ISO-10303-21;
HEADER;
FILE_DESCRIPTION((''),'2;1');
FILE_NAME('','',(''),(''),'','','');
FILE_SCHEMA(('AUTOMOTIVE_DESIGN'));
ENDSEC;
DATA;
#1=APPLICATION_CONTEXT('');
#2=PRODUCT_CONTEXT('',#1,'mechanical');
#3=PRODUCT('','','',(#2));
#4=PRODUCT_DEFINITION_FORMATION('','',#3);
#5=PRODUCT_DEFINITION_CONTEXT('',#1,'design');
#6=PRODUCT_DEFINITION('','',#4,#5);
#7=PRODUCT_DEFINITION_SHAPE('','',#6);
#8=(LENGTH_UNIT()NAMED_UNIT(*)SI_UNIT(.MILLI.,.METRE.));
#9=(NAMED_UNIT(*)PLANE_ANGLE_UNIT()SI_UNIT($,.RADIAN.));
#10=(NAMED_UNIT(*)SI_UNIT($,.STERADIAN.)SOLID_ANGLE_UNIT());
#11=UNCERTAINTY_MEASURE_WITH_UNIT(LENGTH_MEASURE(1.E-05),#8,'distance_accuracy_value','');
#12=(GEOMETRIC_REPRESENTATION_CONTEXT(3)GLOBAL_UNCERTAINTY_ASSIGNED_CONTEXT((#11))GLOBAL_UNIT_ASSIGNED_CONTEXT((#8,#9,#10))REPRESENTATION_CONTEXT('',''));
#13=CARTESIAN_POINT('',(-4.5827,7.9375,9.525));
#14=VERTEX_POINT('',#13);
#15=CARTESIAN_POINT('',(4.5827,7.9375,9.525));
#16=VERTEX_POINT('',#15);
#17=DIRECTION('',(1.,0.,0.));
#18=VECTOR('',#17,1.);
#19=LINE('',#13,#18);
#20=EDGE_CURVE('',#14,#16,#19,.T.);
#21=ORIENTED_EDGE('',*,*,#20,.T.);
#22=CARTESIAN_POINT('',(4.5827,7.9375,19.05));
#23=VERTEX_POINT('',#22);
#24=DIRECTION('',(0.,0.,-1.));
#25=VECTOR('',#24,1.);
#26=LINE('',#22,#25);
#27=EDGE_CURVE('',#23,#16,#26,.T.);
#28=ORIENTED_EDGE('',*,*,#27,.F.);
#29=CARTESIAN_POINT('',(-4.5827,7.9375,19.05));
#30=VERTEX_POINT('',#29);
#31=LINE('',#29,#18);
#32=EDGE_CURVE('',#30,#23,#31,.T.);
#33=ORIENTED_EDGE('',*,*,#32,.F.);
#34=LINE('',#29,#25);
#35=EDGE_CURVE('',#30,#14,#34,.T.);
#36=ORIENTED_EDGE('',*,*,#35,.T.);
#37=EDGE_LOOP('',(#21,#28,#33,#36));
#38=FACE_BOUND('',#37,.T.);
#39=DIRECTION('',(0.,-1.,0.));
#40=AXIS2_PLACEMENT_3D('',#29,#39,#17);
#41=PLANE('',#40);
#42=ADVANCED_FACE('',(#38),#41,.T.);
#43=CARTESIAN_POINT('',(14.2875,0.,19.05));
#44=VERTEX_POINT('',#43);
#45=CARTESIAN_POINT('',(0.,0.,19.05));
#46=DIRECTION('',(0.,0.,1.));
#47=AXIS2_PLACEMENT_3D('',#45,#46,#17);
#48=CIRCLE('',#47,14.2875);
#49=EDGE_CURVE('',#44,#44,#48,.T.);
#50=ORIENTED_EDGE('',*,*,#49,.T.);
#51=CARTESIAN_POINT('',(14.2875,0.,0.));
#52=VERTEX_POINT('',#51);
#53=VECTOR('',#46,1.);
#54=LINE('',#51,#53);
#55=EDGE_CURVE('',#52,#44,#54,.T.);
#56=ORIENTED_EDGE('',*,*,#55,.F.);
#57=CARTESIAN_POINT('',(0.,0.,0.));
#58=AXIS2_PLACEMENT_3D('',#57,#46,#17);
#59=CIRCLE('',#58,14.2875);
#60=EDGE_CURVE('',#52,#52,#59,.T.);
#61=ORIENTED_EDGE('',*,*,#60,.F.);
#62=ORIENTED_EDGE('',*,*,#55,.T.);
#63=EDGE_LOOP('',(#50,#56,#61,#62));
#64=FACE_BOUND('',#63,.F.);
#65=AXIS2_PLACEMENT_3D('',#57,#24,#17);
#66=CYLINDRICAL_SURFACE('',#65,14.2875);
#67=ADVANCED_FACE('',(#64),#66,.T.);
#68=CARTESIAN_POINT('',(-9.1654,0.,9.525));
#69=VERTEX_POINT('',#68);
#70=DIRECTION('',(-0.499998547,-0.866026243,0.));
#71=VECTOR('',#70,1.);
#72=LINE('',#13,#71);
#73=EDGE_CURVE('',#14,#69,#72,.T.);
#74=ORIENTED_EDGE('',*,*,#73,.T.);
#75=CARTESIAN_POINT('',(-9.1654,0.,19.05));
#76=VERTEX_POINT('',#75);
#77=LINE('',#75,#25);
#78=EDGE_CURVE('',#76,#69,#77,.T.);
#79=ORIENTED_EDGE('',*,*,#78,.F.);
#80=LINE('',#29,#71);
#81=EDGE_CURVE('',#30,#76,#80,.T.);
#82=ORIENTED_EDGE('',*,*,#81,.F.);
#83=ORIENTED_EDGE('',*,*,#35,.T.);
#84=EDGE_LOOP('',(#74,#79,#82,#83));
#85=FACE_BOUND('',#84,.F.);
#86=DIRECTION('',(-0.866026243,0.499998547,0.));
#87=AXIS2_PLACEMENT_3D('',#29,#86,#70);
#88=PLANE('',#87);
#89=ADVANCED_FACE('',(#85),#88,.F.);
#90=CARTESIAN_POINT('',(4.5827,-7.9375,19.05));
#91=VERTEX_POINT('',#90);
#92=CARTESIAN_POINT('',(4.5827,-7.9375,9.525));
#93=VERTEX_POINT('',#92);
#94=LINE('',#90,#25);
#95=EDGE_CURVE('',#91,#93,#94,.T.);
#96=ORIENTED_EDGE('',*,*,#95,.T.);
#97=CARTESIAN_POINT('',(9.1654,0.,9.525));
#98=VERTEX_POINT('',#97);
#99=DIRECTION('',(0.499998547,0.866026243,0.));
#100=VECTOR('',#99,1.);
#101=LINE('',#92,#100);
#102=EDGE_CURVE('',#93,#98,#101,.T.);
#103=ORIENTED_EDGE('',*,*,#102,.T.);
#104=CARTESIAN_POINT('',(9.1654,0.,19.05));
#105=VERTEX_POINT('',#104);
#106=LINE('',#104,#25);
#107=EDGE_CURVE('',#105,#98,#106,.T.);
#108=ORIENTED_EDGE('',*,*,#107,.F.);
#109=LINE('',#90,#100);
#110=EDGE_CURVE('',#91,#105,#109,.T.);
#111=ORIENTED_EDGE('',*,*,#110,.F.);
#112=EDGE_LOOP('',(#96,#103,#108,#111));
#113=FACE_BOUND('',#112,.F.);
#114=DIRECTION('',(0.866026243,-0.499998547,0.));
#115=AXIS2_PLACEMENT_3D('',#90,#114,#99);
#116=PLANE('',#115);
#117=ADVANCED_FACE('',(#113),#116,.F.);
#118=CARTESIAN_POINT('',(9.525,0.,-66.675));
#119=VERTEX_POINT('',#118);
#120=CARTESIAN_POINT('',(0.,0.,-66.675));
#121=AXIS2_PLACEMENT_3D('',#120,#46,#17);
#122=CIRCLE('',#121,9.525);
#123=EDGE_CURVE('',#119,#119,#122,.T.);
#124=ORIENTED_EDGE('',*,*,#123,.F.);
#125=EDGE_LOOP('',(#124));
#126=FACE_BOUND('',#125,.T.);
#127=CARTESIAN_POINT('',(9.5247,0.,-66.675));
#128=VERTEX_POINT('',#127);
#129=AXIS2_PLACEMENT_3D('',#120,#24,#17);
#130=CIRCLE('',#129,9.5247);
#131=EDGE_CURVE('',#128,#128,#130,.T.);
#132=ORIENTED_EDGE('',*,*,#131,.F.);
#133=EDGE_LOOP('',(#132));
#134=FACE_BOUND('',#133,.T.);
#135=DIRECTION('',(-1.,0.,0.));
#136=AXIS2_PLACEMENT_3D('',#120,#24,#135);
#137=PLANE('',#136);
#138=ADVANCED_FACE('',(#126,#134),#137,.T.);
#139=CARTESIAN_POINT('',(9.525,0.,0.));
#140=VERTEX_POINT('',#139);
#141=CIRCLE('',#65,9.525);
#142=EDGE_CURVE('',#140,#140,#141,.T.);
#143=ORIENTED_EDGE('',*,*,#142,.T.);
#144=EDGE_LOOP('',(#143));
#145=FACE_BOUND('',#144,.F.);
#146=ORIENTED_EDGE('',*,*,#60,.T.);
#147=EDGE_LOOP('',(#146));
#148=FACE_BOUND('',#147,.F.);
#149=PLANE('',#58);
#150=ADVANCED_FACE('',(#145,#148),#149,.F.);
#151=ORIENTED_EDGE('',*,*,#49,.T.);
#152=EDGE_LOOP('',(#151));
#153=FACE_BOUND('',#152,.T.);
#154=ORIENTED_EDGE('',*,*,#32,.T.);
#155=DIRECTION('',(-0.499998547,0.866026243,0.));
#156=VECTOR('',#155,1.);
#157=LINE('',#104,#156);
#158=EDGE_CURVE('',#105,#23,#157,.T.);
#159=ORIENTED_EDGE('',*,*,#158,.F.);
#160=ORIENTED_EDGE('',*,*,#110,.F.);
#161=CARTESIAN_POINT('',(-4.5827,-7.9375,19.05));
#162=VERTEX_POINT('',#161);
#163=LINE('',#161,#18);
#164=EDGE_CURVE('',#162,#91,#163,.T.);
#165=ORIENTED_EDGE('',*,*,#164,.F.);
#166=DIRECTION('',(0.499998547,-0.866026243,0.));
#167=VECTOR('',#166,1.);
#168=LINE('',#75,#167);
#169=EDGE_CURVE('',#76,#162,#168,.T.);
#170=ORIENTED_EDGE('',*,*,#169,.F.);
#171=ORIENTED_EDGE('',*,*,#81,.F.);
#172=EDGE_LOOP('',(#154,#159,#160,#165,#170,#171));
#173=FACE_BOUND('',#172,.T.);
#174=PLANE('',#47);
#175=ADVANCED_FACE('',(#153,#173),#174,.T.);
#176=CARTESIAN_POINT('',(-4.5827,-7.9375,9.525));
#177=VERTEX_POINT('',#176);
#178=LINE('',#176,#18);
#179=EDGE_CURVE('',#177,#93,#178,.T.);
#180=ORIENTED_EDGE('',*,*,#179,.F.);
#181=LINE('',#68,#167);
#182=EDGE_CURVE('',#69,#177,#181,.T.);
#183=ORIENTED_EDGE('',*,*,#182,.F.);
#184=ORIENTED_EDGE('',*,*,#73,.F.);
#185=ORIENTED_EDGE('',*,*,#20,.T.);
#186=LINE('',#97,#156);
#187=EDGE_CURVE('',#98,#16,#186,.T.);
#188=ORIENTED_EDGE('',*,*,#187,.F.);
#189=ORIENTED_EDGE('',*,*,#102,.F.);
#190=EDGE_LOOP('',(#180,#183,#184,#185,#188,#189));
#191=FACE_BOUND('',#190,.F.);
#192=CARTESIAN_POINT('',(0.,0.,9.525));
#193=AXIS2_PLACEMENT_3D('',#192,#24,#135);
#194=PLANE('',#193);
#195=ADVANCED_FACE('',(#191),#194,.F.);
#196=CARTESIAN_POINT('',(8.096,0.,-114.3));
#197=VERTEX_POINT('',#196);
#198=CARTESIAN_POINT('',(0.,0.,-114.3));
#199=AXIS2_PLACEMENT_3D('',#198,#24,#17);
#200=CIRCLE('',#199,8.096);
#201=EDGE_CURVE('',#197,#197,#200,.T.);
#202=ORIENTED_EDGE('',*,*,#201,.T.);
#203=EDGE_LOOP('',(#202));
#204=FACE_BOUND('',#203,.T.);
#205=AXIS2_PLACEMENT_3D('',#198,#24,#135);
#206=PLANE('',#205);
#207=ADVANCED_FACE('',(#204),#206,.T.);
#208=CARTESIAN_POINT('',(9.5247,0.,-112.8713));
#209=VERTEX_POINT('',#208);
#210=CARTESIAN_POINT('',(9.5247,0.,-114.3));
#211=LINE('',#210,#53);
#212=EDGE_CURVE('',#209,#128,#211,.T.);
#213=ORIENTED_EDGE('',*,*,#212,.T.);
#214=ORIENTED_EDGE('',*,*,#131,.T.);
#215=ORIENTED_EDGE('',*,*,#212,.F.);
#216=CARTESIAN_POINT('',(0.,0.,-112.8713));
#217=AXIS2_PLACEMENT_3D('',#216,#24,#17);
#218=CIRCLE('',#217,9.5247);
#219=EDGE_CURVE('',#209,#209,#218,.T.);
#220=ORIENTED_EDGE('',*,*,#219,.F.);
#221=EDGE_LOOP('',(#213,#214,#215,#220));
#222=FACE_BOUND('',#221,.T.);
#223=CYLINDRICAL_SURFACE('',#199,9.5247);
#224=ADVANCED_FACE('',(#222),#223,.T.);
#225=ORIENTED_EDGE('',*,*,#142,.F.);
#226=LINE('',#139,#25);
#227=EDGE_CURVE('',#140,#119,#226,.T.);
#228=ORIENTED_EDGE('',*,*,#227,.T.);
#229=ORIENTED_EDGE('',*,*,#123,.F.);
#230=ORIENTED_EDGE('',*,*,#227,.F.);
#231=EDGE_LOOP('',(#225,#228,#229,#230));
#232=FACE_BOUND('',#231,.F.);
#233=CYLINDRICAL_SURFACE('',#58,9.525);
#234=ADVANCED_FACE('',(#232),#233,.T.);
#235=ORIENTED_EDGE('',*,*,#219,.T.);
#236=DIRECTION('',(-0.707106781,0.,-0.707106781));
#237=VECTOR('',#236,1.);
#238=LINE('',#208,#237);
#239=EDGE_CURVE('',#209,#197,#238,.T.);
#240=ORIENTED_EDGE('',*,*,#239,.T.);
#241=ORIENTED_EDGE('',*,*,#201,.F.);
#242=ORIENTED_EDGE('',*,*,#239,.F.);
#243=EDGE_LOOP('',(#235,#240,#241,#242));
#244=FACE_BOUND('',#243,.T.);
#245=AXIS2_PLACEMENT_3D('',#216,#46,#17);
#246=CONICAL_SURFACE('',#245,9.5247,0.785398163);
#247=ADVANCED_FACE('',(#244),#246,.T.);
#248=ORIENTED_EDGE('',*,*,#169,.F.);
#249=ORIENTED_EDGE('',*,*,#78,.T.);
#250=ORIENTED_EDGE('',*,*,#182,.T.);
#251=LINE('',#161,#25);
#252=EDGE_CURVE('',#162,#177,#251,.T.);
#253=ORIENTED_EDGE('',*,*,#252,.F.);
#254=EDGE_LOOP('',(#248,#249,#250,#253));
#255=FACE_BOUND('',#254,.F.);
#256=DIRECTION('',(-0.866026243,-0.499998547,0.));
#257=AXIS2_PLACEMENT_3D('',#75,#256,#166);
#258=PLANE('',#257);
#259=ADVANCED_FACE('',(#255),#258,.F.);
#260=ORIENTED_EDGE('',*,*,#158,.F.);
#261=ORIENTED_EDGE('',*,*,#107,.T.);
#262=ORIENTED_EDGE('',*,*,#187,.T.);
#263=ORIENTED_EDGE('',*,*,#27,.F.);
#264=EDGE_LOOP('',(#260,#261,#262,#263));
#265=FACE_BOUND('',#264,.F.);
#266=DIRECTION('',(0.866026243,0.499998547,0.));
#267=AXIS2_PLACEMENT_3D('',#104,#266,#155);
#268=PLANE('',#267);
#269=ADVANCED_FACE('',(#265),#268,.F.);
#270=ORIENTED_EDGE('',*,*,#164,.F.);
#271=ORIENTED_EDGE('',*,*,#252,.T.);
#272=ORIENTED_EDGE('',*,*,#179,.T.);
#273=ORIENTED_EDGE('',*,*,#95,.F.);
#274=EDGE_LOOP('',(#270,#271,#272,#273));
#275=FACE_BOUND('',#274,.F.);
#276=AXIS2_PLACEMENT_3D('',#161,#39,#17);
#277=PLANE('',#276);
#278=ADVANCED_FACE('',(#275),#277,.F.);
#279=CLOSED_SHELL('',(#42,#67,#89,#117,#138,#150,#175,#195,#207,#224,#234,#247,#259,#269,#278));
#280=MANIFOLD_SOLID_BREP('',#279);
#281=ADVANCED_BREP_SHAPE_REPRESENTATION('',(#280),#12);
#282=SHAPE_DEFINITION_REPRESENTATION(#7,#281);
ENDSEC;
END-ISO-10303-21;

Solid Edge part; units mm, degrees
sketch "Sketch1" plane through (0, 0, 0) normal (0, 0, 1) x (1, 0, 0)
  circle A0 centre (0, 0) radius 14.2875
  dimension "D1" = 28.575
extrude "Protrusion1" add sketch "Sketch1" along normal blind 19.05
sketch "Sketch2" plane through (0, 0, 0) normal (0, 0, -1) x (1, 0, 0)
  circle A0 centre (0, 0) radius 9.525
extrude "Protrusion2" add sketch "Sketch2" along normal blind 114.3
sketch "Sketch3" plane through (0, 0, -114.3) normal (0, 0, -1) x (1, 0, 0)
  circle A0 centre (0, 0) radius 9.5247
extrude "Cutout1" cut sketch "Sketch3" against normal blind 47.625 flip side to cut
chamfer "Chamfer_1" distance 1.4287 angle 45 1 edges at (-9.5247, 0, -114.3)
sketch "Sketch4" plane through (0, 0, 19.05) normal (0, 0, 1) x (1, 0, 0)
  line L0 (-4.5827, 7.9375) -> (4.5827, 7.9375)
  line L1 (9.1654, 0) -> (4.5827, 7.9375)
  line L2 (4.5827, -7.9375) -> (9.1654, 0)
  line L3 (-4.5827, -7.9375) -> (4.5827, -7.9375)
  line L4 (-9.1654, 0) -> (-4.5827, -7.9375)
  line L5 (-4.5827, 7.9375) -> (-9.1654, 0)
  dimension "D1" = 15.875
extrude "Cutout2" cut sketch "Sketch4" against normal blind 9.525
properties part number "107186"
